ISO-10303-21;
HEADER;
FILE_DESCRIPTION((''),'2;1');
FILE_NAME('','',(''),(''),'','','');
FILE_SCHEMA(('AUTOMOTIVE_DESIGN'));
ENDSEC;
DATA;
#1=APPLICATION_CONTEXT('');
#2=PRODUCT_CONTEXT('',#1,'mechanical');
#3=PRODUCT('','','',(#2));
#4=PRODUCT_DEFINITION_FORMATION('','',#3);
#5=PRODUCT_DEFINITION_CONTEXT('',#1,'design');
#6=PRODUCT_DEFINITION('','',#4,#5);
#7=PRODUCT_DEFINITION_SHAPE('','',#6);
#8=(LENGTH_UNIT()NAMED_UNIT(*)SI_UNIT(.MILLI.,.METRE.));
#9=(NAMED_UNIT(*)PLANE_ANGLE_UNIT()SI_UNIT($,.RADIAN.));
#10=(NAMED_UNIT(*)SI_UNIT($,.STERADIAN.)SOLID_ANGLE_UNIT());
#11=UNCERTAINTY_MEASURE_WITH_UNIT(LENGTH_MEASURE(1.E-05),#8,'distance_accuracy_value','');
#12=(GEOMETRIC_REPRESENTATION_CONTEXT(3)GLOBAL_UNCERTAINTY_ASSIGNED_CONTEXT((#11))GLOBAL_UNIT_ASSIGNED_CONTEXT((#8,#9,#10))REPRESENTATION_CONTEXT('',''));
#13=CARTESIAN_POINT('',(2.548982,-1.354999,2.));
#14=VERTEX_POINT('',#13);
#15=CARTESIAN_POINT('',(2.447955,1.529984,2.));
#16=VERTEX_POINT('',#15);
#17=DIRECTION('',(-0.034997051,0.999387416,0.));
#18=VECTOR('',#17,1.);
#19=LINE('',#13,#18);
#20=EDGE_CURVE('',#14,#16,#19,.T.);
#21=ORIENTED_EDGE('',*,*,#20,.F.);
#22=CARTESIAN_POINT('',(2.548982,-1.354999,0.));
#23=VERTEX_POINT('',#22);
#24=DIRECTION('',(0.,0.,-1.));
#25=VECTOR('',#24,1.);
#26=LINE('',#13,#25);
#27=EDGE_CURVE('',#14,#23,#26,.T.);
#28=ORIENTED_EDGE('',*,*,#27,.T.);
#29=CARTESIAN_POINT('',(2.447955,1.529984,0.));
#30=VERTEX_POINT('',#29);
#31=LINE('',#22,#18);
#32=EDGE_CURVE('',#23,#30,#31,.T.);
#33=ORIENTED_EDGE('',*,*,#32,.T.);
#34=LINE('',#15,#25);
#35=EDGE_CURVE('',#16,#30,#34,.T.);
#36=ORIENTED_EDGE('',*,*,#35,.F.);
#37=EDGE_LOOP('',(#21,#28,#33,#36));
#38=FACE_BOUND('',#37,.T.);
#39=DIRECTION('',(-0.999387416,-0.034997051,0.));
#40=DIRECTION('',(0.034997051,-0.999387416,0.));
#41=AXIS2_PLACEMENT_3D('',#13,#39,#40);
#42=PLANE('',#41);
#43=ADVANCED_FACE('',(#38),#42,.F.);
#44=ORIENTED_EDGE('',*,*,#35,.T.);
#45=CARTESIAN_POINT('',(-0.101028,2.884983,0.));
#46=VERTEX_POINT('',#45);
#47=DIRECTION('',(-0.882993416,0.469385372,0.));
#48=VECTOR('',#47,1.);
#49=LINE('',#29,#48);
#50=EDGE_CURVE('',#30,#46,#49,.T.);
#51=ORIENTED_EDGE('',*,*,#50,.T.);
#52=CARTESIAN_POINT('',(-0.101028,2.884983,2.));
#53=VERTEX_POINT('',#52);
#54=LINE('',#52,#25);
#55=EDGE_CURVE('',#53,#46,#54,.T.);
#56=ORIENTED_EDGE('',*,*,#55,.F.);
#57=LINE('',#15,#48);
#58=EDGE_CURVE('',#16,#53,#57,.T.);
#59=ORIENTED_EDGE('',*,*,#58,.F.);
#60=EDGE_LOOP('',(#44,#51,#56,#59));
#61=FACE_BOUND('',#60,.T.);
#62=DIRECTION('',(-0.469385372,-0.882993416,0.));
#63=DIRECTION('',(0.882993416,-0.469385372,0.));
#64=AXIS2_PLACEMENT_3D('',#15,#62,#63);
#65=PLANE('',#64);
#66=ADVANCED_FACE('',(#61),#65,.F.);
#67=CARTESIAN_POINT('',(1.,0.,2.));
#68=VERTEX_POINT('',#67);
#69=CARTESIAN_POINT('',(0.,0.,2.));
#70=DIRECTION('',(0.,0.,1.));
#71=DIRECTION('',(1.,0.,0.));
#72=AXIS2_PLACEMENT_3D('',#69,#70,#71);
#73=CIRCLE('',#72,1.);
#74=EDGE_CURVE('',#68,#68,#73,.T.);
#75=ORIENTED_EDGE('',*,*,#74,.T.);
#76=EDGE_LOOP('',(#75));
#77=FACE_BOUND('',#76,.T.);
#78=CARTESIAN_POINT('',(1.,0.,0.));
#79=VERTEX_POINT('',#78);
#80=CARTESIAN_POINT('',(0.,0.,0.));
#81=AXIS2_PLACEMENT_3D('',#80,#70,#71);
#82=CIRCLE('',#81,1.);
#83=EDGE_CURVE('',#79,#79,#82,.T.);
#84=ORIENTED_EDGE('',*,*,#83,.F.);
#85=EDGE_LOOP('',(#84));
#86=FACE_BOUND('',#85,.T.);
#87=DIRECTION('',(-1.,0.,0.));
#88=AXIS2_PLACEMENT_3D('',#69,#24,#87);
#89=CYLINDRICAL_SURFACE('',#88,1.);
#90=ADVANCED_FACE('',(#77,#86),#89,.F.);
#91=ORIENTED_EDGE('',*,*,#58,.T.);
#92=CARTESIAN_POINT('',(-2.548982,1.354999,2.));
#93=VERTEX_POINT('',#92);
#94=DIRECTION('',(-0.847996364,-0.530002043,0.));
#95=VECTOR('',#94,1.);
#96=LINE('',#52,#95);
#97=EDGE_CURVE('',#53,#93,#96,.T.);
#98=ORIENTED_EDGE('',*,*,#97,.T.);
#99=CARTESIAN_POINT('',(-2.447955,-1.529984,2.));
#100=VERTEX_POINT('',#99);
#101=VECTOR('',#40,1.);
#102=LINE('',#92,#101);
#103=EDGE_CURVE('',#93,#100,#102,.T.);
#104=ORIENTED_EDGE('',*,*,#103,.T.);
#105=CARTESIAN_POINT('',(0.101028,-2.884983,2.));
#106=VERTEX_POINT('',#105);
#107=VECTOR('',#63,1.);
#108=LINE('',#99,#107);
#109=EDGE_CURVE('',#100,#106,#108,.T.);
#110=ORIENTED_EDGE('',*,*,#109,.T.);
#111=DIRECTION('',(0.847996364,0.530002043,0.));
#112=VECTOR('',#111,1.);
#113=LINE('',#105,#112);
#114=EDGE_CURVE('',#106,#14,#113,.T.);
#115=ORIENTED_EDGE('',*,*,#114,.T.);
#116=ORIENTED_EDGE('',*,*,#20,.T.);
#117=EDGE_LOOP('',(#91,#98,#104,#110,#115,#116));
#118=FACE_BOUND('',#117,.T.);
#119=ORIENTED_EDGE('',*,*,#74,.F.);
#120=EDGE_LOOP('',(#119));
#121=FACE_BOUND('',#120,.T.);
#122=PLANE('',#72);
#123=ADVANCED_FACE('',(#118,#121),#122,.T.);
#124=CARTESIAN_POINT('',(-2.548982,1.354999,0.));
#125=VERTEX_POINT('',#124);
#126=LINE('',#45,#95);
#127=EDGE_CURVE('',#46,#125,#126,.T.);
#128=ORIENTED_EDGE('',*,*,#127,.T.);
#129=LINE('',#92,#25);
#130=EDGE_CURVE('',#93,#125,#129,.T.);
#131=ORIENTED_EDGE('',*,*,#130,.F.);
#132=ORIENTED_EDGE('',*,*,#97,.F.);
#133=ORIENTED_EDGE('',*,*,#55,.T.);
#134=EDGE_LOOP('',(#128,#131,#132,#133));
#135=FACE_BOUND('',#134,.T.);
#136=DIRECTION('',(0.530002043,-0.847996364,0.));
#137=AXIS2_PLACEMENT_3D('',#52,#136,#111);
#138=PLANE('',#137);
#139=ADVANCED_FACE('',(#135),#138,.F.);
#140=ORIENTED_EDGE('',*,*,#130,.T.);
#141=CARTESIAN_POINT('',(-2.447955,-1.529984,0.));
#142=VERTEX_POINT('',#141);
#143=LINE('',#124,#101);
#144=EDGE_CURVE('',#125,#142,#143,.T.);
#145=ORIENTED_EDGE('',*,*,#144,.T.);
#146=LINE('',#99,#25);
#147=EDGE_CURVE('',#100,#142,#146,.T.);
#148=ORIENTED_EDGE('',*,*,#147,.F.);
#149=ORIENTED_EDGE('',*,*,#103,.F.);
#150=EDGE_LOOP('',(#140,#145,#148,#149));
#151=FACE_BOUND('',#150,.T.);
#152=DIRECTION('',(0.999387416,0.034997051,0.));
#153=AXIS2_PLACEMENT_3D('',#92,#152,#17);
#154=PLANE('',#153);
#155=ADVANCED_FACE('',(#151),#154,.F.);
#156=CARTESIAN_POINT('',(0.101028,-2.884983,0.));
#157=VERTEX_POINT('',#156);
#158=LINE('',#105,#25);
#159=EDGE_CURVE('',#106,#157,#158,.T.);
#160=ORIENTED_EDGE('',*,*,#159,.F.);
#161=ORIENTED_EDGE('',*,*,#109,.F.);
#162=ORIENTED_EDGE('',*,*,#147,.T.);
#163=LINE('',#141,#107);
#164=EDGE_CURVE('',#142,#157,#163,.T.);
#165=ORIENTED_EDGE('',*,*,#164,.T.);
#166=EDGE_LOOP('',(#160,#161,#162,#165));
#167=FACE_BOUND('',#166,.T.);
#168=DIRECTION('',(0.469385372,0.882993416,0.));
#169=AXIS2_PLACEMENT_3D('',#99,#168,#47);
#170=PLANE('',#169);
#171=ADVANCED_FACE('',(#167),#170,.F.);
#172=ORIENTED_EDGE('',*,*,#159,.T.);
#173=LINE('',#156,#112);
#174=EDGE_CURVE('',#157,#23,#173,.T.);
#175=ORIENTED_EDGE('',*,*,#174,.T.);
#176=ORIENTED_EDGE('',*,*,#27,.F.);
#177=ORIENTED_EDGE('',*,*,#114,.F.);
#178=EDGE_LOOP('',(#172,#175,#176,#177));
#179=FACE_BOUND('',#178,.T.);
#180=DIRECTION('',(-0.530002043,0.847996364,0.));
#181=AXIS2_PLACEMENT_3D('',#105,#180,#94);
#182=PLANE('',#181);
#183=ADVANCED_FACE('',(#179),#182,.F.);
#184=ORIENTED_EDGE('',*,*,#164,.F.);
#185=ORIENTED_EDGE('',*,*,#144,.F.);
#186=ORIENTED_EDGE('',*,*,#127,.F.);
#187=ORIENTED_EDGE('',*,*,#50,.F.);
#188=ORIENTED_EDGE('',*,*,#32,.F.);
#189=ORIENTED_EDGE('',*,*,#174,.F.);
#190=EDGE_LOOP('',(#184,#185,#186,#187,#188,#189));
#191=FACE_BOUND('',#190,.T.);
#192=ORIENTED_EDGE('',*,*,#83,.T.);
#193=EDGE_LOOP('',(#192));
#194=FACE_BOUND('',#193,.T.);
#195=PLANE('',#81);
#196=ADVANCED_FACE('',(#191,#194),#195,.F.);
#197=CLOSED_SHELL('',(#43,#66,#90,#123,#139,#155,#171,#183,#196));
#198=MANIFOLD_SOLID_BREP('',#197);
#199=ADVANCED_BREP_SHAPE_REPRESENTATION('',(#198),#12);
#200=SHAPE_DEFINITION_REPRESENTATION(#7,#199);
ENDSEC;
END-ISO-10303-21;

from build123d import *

# Parameters (mm, degrees)
SKETCH_1_R      = 1
EXTRUDE_1_DEPTH = 2


with BuildPart() as part:
    # ｽｹｯﾁ1 → ﾎﾞｽ - 押し出し1 (new body)
    with BuildSketch(Plane.XY):
        Polygon((2.447954647, 1.529984112), (-0.101027785, 2.884982967), (-2.548982431, 1.354998855), (-2.447954647, -1.529984112), (0.101027785, -2.884982967), (2.548982431, -1.354998855), align=None)
        Circle(SKETCH_1_R, mode=Mode.SUBTRACT)
    extrude(amount=EXTRUDE_1_DEPTH)


solid = part.part
